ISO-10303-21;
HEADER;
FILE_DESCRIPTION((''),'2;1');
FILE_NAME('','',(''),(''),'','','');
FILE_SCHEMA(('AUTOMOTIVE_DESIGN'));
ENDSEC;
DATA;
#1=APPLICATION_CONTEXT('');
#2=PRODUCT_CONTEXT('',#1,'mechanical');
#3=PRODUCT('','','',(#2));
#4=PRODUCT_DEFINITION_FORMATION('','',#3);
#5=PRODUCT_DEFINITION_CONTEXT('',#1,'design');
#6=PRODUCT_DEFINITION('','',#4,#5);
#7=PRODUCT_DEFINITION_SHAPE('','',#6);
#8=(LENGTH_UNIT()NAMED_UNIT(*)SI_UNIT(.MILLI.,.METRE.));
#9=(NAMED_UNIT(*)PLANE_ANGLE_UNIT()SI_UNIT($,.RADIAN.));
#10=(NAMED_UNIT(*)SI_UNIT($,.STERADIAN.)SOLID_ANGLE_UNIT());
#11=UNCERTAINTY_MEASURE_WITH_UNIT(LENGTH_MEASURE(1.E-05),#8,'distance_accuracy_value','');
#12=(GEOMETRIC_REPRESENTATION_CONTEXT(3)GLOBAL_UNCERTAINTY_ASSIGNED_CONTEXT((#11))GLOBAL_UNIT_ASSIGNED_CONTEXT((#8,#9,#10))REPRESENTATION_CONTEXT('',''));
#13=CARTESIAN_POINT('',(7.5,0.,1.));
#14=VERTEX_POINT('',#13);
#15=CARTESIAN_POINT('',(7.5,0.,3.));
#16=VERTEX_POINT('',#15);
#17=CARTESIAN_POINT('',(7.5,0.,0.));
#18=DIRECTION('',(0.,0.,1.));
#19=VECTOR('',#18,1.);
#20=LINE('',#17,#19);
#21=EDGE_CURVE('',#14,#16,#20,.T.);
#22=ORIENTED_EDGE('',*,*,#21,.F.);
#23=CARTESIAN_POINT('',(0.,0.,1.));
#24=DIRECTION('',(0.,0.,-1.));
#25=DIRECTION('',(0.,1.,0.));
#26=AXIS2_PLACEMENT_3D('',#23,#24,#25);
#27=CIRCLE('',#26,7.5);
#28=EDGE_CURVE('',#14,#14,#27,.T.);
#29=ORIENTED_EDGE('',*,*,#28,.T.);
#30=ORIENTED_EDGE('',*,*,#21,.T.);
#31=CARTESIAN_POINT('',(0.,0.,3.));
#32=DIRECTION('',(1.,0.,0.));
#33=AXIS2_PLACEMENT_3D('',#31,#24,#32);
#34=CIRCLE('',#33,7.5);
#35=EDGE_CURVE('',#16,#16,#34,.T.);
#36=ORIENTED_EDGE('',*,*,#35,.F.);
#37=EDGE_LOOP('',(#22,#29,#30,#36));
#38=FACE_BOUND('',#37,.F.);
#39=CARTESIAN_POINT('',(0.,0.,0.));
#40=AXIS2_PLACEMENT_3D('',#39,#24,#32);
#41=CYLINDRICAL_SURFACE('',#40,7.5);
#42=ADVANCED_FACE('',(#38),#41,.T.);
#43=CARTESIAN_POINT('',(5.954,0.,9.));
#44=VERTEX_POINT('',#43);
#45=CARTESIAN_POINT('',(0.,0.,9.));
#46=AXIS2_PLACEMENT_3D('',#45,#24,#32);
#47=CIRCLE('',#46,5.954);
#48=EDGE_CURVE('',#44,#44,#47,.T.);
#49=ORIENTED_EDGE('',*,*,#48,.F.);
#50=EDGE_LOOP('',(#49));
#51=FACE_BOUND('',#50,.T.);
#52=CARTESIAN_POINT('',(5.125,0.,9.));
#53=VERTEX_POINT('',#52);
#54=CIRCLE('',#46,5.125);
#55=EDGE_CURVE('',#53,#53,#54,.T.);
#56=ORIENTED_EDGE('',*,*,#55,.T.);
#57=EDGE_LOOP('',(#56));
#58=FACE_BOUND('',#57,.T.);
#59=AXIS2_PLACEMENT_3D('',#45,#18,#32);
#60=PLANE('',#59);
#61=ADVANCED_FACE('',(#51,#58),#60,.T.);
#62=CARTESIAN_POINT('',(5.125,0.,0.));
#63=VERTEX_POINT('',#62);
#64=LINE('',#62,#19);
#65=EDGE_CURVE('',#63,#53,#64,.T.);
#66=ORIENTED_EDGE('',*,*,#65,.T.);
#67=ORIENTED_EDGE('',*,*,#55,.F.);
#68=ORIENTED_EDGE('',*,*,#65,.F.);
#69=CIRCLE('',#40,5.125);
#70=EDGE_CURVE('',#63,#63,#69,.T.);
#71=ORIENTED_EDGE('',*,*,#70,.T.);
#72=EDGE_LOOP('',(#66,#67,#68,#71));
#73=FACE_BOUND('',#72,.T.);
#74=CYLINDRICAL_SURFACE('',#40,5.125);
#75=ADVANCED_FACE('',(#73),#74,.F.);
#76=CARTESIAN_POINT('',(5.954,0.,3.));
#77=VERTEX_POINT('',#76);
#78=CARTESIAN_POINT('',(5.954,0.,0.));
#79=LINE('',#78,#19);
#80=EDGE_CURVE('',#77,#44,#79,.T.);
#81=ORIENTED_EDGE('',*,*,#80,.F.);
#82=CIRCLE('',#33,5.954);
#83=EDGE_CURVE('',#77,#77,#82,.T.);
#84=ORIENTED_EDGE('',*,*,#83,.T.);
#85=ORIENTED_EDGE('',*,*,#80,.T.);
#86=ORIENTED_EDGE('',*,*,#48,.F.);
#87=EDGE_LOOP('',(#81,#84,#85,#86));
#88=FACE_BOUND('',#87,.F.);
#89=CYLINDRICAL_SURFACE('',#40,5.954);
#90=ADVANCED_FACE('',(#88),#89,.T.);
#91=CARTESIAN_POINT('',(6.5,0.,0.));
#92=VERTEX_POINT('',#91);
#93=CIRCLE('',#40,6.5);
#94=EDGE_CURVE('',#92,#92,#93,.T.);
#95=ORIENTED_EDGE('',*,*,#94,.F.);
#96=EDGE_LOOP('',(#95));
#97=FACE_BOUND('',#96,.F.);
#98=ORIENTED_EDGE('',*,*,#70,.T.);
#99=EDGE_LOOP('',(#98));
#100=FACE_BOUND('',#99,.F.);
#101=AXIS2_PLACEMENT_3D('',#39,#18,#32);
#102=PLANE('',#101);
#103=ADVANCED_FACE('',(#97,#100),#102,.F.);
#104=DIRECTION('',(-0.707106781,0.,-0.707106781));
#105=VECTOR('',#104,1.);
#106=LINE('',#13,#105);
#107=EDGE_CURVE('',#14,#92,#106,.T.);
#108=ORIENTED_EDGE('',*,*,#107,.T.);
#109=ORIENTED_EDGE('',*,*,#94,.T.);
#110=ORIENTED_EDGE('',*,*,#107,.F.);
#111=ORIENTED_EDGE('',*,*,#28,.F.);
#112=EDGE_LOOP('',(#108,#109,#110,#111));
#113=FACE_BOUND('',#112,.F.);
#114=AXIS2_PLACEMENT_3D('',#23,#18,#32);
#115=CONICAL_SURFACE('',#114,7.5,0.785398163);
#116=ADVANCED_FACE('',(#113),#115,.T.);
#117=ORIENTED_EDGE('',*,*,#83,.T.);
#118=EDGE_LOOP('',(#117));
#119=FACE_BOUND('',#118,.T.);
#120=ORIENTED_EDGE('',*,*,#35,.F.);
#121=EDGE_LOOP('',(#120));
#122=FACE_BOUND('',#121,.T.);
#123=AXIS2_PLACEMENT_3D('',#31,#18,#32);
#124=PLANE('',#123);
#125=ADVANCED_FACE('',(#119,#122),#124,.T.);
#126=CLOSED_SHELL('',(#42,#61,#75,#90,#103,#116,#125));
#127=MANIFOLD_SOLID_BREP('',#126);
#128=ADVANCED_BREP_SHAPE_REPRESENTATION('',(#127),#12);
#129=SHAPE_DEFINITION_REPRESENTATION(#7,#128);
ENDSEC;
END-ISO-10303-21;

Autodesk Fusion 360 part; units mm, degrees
sketch "Sketch1" plane through (0, 0, 0) normal (0, 0, 1) x (1, 0, 0)
  circle A0 centre (0, 0) radius 5.125
  circle A1 centre (0, 0) radius 6
  circle A2 centre (0, 0) radius 7.5
  dimension "d1" = 10.25
  dimension "d2" = 12
  dimension "d3" = 15
extrude "Extrude1" add sketch "Sketch1" along normal blind 3 contours A2
extrude "Extrude2" add sketch "Sketch1" along normal blind 9 contours A1
chamfer "Chamfer1" distance 1 angle 45 1 edges at (-6.9925, -2.7121, 0)
thread "Thread1" "ISO Metric profile 12.0 M12x0.75 M12x0.75 6g" major diameter 11.908 minor diameter 11.0445 pitch 0.75 angle 60 resizes the face on face at (5.9702, -0.5974, 5)
